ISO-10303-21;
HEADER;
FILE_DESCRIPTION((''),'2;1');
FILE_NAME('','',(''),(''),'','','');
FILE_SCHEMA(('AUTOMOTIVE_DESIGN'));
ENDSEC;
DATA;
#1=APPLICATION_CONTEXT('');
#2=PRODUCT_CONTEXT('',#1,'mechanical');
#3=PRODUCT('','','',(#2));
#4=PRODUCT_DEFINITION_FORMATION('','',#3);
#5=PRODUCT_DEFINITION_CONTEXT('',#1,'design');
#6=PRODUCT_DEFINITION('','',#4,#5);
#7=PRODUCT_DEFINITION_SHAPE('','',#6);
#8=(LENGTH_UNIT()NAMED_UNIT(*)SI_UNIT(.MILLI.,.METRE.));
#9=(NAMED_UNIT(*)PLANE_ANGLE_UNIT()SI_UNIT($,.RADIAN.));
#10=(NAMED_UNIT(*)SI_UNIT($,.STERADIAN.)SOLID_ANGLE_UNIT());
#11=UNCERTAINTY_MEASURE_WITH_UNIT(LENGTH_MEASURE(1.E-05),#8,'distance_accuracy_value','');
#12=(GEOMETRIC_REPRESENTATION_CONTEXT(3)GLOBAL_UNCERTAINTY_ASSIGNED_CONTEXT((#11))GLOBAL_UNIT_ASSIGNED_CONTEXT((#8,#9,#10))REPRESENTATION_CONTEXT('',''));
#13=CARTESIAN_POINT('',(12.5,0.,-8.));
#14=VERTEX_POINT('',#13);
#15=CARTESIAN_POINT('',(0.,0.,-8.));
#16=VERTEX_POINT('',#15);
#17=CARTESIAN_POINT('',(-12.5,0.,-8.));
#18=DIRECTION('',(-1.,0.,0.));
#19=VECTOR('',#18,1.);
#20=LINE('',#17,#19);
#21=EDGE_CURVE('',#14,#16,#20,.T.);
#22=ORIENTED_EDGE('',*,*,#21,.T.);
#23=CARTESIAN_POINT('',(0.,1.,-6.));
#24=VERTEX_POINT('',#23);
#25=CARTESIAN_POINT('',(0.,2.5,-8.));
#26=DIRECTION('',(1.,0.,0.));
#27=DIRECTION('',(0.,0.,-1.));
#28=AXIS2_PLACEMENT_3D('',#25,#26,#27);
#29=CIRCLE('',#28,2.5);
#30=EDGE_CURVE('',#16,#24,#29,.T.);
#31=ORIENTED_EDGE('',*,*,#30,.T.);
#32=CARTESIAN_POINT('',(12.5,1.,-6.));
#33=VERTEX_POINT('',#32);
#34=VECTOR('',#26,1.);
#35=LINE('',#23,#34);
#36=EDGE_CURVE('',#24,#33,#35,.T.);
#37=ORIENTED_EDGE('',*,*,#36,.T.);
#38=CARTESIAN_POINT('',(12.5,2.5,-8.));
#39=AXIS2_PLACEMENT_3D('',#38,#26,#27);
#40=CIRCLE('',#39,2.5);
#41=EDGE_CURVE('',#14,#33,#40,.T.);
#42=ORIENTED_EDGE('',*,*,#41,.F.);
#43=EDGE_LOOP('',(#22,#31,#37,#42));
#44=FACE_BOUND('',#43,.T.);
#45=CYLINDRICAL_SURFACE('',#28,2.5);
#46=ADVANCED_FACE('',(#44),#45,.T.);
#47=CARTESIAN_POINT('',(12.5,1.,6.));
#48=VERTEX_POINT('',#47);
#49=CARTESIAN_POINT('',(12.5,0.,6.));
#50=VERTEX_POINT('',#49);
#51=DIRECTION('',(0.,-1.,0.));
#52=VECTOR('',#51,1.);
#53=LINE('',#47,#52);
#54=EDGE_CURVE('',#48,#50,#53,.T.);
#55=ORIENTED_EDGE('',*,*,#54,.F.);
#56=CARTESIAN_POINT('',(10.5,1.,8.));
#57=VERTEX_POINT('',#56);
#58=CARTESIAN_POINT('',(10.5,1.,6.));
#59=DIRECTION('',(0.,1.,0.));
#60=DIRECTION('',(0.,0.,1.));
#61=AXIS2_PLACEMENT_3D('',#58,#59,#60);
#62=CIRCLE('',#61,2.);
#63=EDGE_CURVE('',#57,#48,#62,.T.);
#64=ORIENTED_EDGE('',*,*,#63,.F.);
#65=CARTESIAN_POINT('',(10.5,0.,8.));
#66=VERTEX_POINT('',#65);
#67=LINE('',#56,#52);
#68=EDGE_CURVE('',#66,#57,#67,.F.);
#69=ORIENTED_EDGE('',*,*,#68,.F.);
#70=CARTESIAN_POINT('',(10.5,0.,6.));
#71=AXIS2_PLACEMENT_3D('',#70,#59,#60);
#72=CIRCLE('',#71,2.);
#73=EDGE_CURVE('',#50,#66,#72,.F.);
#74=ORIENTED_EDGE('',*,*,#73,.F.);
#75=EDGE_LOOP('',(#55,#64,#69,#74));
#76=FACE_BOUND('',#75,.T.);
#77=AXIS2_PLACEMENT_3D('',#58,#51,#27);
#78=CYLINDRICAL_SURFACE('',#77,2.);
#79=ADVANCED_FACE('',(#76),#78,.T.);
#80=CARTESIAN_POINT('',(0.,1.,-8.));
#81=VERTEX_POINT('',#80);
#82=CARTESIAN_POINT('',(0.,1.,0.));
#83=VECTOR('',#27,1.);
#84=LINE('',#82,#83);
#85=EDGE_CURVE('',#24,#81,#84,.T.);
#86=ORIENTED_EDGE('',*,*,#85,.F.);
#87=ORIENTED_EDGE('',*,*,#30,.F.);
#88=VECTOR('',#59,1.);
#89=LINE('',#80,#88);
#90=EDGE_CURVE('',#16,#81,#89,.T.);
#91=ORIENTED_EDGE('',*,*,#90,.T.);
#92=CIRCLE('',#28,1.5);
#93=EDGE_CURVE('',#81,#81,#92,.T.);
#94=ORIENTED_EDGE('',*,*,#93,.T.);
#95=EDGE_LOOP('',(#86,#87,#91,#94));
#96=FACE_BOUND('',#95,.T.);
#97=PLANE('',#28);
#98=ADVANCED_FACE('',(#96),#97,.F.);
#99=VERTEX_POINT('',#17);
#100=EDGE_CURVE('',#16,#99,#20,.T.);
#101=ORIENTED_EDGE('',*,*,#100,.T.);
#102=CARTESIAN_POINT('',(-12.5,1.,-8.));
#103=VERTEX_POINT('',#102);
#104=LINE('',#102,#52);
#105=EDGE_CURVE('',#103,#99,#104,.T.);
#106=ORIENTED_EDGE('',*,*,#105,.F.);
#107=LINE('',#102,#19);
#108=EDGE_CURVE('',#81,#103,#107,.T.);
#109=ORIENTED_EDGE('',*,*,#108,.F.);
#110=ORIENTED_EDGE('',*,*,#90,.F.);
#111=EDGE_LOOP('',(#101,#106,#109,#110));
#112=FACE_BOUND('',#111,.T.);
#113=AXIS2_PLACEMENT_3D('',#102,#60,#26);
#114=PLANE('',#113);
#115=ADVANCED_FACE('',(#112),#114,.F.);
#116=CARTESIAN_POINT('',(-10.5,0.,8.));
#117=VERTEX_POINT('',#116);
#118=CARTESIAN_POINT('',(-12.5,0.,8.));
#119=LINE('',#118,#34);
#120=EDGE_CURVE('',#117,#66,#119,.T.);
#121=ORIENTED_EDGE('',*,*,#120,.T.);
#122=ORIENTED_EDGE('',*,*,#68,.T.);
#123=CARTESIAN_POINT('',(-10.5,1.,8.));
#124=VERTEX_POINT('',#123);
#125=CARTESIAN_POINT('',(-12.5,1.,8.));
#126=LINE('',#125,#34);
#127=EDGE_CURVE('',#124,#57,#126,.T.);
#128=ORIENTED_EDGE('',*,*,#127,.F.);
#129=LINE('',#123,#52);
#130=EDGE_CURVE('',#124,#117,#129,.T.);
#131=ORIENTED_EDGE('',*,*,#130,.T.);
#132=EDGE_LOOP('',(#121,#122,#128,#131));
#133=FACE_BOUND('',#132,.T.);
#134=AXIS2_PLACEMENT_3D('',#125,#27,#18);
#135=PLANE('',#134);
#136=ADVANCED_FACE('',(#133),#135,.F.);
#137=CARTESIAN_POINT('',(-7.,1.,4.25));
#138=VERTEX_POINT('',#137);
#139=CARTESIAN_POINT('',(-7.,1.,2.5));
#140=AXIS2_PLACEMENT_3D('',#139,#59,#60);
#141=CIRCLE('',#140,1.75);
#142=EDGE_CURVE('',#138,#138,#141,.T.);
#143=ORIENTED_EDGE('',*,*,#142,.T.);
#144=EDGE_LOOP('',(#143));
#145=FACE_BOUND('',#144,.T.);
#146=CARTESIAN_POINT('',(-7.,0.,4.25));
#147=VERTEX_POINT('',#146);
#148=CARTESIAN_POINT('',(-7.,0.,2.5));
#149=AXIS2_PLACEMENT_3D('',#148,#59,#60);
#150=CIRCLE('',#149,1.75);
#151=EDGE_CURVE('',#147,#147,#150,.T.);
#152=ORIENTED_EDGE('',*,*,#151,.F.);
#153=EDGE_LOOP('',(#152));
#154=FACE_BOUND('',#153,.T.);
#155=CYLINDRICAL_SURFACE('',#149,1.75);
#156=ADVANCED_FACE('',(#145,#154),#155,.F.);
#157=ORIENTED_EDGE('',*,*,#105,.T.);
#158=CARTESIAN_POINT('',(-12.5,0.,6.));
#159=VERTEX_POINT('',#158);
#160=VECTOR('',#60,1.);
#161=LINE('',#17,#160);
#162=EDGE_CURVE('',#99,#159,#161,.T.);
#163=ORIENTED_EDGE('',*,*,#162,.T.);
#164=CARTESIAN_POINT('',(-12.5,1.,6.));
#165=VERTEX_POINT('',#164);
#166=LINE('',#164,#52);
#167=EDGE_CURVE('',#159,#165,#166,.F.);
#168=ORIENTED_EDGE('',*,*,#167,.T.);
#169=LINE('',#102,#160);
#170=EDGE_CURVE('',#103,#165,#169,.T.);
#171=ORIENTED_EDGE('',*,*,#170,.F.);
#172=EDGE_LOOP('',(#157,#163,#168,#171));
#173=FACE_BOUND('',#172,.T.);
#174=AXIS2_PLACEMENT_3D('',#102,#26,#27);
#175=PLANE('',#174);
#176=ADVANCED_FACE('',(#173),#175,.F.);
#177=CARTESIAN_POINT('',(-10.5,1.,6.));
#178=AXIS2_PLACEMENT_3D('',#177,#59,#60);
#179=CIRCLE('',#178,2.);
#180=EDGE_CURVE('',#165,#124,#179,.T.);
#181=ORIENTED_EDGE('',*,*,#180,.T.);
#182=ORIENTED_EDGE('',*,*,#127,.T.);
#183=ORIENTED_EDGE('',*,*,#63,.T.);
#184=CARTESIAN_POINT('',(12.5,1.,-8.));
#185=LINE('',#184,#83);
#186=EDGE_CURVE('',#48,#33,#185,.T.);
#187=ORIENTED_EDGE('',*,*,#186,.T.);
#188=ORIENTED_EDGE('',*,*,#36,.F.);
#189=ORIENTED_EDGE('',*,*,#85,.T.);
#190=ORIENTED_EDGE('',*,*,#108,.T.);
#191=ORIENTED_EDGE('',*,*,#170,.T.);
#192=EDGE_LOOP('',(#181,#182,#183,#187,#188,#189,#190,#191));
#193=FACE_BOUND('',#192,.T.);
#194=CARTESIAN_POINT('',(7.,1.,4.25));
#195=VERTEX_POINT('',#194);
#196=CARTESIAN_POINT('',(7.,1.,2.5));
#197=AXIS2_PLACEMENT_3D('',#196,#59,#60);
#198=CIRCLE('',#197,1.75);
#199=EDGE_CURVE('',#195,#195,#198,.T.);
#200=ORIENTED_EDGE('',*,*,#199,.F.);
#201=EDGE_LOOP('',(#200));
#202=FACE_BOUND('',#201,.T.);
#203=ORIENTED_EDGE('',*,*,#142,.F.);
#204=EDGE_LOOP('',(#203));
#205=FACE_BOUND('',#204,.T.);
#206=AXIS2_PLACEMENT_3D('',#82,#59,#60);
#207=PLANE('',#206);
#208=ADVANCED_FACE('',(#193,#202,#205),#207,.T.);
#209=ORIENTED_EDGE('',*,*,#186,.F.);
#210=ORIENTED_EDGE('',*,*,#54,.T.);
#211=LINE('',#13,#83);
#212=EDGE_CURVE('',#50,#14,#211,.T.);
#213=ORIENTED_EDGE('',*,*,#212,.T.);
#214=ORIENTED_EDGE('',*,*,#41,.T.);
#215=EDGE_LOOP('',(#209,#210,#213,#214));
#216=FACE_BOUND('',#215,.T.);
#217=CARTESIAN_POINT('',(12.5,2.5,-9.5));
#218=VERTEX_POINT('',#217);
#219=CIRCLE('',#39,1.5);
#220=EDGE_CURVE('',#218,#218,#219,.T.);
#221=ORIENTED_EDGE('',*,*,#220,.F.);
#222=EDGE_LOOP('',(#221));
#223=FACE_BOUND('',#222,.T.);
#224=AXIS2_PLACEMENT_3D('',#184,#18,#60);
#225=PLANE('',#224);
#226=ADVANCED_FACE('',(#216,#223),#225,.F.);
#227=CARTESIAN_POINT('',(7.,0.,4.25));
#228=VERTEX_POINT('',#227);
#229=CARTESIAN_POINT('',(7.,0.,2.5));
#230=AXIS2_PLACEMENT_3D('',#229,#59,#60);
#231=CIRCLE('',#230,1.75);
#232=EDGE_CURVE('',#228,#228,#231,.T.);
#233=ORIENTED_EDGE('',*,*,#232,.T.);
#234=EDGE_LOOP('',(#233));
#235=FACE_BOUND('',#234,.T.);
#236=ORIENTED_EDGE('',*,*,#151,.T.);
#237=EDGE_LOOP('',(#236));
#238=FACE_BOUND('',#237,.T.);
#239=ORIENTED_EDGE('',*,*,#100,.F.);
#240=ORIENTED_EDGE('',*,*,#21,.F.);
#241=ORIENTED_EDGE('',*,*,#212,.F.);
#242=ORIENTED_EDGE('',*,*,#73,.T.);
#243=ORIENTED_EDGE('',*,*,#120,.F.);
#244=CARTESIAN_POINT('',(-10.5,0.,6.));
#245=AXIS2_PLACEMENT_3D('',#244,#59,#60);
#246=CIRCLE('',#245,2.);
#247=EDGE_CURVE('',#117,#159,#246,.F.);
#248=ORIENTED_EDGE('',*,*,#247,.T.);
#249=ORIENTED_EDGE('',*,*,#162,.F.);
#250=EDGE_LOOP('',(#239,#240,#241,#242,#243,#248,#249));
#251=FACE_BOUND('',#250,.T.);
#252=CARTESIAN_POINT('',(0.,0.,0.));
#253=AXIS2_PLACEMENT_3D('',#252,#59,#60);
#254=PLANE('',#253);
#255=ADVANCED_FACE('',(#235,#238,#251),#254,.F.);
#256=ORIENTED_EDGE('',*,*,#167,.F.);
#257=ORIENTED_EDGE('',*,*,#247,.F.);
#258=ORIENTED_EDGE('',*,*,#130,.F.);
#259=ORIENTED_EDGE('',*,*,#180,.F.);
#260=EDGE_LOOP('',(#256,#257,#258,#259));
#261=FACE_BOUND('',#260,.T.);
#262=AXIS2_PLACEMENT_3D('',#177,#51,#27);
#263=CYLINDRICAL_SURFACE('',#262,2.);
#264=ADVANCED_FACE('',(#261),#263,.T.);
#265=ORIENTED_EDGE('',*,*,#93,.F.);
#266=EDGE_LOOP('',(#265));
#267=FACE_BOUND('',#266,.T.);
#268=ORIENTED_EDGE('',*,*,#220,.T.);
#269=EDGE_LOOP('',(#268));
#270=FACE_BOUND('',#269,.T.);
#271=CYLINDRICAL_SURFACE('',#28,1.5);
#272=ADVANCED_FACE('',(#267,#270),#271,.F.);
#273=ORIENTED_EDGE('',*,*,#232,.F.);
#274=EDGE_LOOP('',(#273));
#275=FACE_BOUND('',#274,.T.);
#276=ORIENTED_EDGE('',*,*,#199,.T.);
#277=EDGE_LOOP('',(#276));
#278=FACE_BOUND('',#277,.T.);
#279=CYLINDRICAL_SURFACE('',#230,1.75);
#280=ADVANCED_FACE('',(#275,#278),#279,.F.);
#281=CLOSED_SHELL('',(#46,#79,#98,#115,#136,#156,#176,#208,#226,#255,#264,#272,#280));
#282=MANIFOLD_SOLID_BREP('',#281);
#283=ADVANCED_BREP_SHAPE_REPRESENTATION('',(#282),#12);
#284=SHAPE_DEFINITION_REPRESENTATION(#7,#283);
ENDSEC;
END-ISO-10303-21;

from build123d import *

# Parameters (mm, degrees)
SKETCH_1_W          = 25
SKETCH_1_H          = 16
EXTRUDE_1_DEPTH     = 1
SKETCH_2_R          = 1.75
CUT_EXTRUDE_1_DEPTH = 2
SKETCH_3_R          = 2.5
SKETCH_3_R_2        = 1.5
EXTRUDE_2_DEPTH     = 12.5
FILLET_1_R          = 2


with BuildPart() as part:
    # 草图1 → 凸台-拉伸1 (new body)
    with BuildSketch(Plane(origin=(0, 0, 0), x_dir=(1, 0, 0), z_dir=(0, 1, 0))):
        Rectangle(SKETCH_1_W, SKETCH_1_H)
    extrude(amount=EXTRUDE_1_DEPTH)

    # 草图2 → 切除-拉伸1 (cut, through all)
    with BuildSketch(Plane(origin=(0, 1, 0), x_dir=(1, 0, 0), z_dir=(0, 1, 0))):
        with Locations((-7, -2.5)):
            Circle(SKETCH_2_R)
        with Locations((7, -2.5)):
            Circle(SKETCH_2_R)
    extrude(amount=-CUT_EXTRUDE_1_DEPTH, mode=Mode.SUBTRACT)

    # 草图3 → 凸台-拉伸2 (add)
    with BuildSketch(Plane(origin=(12.5, 0, 0), x_dir=(0, 0, -1), z_dir=(1, 0, 0))):
        with Locations((8, 2.5)):
            Circle(SKETCH_3_R)
        with Locations((8, 2.5)):
            Circle(SKETCH_3_R_2, mode=Mode.SUBTRACT)
    extrude(amount=-EXTRUDE_2_DEPTH)

    # 圆角1
    fillet_1_edges = [part.edges().sort_by_distance(p)[0] for p in [
        (12.5, 0.5, 8),
        (-12.5, 0.5, 8),
    ]]
    fillet(fillet_1_edges, radius=FILLET_1_R)


solid = part.part
